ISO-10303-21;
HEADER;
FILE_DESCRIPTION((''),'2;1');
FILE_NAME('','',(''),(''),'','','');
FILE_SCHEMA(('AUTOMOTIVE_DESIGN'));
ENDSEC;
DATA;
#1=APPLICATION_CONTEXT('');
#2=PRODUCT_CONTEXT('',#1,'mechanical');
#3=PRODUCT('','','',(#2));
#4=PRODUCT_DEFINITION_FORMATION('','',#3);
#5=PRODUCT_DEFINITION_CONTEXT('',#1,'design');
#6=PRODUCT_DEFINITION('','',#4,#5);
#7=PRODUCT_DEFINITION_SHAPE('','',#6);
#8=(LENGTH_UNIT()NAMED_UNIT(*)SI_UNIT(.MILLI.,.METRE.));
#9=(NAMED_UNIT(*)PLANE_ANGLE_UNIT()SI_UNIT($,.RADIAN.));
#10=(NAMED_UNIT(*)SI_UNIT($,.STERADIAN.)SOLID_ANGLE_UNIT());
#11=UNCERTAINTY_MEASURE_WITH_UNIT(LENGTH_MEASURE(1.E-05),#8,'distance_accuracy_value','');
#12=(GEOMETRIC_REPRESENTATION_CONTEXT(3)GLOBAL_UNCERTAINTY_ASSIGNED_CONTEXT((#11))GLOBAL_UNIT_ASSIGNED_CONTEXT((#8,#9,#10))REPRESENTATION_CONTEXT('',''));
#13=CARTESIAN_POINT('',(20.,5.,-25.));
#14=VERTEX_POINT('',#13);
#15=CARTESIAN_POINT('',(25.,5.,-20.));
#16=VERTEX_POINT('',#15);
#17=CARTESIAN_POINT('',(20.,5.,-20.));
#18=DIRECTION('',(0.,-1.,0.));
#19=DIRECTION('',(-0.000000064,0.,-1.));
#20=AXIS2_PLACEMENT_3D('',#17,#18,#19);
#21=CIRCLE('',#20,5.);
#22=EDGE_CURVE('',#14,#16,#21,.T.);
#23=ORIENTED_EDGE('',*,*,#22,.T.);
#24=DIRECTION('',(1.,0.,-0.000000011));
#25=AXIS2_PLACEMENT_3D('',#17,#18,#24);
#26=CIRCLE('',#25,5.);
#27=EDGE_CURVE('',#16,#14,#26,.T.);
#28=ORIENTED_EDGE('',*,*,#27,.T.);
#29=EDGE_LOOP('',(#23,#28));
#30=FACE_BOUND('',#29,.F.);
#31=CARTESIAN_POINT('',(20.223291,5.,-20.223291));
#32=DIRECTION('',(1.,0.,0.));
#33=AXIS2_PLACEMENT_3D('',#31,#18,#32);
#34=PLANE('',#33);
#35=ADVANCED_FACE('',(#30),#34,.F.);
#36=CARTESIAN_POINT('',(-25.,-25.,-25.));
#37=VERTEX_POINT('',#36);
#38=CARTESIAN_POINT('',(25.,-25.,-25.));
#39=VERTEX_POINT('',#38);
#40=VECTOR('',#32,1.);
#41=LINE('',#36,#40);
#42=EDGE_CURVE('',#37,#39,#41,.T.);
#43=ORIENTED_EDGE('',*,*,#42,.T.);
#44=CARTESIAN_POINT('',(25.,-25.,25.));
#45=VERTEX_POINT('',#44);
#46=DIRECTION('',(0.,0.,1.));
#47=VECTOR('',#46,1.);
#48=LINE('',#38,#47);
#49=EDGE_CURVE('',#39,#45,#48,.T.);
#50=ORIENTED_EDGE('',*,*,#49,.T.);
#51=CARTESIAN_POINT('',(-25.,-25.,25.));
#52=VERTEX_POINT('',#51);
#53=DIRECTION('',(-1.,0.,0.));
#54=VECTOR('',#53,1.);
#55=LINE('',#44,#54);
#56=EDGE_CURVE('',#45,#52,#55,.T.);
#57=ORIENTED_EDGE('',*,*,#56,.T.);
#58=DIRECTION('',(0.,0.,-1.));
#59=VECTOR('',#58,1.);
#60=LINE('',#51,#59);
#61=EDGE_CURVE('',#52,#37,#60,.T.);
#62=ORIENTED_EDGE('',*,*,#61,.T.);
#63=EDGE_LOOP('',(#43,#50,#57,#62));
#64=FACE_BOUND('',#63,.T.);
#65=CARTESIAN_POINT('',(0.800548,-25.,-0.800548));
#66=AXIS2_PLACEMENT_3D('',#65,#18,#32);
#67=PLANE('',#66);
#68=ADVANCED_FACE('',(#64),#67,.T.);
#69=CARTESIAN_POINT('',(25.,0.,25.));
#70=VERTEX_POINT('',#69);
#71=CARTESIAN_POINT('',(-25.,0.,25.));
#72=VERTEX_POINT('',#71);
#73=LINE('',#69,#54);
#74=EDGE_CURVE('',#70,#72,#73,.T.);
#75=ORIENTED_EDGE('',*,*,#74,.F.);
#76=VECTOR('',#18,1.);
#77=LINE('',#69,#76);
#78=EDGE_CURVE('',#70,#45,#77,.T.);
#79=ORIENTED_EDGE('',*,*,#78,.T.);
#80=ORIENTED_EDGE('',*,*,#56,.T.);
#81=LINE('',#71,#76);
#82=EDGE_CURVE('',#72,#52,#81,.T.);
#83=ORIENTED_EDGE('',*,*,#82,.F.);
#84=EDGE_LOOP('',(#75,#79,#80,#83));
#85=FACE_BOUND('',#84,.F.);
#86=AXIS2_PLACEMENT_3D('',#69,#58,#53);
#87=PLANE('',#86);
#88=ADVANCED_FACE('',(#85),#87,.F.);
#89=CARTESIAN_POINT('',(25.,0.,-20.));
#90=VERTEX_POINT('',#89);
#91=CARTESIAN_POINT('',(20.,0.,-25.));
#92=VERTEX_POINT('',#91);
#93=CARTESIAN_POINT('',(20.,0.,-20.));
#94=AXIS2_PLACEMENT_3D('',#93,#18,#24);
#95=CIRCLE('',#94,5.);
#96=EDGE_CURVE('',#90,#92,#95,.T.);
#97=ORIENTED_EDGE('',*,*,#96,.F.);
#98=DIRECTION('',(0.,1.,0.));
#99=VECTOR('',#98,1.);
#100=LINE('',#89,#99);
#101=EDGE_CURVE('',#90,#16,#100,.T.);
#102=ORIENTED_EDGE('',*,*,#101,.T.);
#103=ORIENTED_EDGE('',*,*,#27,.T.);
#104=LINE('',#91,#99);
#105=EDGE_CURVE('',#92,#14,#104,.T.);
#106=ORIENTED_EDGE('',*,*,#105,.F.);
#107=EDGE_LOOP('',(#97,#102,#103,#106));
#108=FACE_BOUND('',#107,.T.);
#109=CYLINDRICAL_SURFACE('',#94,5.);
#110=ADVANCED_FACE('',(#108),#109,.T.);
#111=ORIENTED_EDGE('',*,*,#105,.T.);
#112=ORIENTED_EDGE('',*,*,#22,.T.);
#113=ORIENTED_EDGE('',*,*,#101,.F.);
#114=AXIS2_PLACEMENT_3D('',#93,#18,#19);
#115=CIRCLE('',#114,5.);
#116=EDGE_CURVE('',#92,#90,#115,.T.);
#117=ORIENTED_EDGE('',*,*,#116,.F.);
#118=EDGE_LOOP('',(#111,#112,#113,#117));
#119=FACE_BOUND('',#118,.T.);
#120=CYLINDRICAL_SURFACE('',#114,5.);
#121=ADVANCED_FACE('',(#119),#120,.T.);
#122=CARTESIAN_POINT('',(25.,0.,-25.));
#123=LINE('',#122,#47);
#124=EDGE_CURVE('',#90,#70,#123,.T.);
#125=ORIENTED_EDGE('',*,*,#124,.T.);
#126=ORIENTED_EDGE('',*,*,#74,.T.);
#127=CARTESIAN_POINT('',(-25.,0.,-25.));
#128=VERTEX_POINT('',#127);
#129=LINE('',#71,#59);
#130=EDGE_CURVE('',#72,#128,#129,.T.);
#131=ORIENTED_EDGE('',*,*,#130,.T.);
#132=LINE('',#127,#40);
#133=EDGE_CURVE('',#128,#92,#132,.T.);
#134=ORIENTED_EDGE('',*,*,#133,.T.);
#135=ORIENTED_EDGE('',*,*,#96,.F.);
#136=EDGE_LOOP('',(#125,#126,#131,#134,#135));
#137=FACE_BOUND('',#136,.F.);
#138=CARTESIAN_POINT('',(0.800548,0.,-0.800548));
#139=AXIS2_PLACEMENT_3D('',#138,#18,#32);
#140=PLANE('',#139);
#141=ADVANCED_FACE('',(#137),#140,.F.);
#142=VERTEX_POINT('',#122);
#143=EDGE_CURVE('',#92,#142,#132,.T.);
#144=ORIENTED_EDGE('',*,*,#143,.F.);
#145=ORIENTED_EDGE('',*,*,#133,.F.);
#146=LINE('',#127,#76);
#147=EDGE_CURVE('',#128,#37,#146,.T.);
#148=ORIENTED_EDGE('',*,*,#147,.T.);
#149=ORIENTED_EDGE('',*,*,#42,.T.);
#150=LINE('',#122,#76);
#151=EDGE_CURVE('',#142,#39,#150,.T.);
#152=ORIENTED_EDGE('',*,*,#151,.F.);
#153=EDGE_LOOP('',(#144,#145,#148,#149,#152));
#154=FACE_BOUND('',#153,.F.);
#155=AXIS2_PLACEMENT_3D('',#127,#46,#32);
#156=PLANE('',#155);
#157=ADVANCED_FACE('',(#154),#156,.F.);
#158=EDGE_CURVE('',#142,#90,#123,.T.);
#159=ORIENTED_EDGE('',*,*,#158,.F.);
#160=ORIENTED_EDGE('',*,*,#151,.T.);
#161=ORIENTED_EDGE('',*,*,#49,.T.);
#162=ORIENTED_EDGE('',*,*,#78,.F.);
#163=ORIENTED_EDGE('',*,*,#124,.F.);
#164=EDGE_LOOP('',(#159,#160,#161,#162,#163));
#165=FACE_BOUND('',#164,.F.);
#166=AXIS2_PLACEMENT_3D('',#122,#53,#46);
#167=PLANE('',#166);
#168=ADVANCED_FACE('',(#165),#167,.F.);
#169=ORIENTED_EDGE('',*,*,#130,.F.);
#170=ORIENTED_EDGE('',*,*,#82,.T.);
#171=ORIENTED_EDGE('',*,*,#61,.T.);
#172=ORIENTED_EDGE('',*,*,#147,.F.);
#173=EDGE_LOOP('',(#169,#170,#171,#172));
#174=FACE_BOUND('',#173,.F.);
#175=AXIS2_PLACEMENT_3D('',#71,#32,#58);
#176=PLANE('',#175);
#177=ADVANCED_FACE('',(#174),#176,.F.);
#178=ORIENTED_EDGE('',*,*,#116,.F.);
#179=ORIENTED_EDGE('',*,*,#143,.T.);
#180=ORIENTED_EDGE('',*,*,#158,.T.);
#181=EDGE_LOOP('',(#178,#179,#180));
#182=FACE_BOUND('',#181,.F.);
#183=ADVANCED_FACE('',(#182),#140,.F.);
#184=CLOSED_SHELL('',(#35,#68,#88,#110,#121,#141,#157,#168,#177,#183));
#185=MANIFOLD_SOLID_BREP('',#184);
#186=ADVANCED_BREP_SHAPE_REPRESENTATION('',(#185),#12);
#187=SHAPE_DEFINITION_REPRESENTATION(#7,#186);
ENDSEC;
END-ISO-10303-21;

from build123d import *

# Parameters (mm, degrees)
F1_DEPTH = 25
F2_DEPTH = 5


with BuildPart() as f1:
    # F0 (on Front) → F1 (new body)
    with BuildSketch(Plane.XZ):
        with BuildLine():
            Line((25, -20), (25, 25))
            Line((25, 25), (-25, 25))
            Line((-25, 25), (-25, -25))
            Line((-25, -25), (20, -25))
            ThreePointArc((20, -25), (16.464466, -16.464466), (25, -20))
        make_face()
        with BuildLine():
            Line((25, -25), (25, -20))
            ThreePointArc((25, -20), (23.535534, -23.535534), (20, -25))
            Line((20, -25), (25, -25))
        make_face()
        with BuildLine():
            ThreePointArc((20, -25), (23.535534, -23.535534), (25, -20))
            ThreePointArc((25, -20), (16.464466, -16.464466), (20, -25))
        make_face()
    extrude(amount=F1_DEPTH)

    # F0 (on Front) → F2 (join)
    with BuildSketch(Plane.XZ):
        with BuildLine():
            ThreePointArc((20, -25), (23.535534, -23.535534), (25, -20))
            ThreePointArc((25, -20), (16.464466, -16.464466), (20, -25))
        make_face()
    extrude(amount=-F2_DEPTH)


solid = f1.part
